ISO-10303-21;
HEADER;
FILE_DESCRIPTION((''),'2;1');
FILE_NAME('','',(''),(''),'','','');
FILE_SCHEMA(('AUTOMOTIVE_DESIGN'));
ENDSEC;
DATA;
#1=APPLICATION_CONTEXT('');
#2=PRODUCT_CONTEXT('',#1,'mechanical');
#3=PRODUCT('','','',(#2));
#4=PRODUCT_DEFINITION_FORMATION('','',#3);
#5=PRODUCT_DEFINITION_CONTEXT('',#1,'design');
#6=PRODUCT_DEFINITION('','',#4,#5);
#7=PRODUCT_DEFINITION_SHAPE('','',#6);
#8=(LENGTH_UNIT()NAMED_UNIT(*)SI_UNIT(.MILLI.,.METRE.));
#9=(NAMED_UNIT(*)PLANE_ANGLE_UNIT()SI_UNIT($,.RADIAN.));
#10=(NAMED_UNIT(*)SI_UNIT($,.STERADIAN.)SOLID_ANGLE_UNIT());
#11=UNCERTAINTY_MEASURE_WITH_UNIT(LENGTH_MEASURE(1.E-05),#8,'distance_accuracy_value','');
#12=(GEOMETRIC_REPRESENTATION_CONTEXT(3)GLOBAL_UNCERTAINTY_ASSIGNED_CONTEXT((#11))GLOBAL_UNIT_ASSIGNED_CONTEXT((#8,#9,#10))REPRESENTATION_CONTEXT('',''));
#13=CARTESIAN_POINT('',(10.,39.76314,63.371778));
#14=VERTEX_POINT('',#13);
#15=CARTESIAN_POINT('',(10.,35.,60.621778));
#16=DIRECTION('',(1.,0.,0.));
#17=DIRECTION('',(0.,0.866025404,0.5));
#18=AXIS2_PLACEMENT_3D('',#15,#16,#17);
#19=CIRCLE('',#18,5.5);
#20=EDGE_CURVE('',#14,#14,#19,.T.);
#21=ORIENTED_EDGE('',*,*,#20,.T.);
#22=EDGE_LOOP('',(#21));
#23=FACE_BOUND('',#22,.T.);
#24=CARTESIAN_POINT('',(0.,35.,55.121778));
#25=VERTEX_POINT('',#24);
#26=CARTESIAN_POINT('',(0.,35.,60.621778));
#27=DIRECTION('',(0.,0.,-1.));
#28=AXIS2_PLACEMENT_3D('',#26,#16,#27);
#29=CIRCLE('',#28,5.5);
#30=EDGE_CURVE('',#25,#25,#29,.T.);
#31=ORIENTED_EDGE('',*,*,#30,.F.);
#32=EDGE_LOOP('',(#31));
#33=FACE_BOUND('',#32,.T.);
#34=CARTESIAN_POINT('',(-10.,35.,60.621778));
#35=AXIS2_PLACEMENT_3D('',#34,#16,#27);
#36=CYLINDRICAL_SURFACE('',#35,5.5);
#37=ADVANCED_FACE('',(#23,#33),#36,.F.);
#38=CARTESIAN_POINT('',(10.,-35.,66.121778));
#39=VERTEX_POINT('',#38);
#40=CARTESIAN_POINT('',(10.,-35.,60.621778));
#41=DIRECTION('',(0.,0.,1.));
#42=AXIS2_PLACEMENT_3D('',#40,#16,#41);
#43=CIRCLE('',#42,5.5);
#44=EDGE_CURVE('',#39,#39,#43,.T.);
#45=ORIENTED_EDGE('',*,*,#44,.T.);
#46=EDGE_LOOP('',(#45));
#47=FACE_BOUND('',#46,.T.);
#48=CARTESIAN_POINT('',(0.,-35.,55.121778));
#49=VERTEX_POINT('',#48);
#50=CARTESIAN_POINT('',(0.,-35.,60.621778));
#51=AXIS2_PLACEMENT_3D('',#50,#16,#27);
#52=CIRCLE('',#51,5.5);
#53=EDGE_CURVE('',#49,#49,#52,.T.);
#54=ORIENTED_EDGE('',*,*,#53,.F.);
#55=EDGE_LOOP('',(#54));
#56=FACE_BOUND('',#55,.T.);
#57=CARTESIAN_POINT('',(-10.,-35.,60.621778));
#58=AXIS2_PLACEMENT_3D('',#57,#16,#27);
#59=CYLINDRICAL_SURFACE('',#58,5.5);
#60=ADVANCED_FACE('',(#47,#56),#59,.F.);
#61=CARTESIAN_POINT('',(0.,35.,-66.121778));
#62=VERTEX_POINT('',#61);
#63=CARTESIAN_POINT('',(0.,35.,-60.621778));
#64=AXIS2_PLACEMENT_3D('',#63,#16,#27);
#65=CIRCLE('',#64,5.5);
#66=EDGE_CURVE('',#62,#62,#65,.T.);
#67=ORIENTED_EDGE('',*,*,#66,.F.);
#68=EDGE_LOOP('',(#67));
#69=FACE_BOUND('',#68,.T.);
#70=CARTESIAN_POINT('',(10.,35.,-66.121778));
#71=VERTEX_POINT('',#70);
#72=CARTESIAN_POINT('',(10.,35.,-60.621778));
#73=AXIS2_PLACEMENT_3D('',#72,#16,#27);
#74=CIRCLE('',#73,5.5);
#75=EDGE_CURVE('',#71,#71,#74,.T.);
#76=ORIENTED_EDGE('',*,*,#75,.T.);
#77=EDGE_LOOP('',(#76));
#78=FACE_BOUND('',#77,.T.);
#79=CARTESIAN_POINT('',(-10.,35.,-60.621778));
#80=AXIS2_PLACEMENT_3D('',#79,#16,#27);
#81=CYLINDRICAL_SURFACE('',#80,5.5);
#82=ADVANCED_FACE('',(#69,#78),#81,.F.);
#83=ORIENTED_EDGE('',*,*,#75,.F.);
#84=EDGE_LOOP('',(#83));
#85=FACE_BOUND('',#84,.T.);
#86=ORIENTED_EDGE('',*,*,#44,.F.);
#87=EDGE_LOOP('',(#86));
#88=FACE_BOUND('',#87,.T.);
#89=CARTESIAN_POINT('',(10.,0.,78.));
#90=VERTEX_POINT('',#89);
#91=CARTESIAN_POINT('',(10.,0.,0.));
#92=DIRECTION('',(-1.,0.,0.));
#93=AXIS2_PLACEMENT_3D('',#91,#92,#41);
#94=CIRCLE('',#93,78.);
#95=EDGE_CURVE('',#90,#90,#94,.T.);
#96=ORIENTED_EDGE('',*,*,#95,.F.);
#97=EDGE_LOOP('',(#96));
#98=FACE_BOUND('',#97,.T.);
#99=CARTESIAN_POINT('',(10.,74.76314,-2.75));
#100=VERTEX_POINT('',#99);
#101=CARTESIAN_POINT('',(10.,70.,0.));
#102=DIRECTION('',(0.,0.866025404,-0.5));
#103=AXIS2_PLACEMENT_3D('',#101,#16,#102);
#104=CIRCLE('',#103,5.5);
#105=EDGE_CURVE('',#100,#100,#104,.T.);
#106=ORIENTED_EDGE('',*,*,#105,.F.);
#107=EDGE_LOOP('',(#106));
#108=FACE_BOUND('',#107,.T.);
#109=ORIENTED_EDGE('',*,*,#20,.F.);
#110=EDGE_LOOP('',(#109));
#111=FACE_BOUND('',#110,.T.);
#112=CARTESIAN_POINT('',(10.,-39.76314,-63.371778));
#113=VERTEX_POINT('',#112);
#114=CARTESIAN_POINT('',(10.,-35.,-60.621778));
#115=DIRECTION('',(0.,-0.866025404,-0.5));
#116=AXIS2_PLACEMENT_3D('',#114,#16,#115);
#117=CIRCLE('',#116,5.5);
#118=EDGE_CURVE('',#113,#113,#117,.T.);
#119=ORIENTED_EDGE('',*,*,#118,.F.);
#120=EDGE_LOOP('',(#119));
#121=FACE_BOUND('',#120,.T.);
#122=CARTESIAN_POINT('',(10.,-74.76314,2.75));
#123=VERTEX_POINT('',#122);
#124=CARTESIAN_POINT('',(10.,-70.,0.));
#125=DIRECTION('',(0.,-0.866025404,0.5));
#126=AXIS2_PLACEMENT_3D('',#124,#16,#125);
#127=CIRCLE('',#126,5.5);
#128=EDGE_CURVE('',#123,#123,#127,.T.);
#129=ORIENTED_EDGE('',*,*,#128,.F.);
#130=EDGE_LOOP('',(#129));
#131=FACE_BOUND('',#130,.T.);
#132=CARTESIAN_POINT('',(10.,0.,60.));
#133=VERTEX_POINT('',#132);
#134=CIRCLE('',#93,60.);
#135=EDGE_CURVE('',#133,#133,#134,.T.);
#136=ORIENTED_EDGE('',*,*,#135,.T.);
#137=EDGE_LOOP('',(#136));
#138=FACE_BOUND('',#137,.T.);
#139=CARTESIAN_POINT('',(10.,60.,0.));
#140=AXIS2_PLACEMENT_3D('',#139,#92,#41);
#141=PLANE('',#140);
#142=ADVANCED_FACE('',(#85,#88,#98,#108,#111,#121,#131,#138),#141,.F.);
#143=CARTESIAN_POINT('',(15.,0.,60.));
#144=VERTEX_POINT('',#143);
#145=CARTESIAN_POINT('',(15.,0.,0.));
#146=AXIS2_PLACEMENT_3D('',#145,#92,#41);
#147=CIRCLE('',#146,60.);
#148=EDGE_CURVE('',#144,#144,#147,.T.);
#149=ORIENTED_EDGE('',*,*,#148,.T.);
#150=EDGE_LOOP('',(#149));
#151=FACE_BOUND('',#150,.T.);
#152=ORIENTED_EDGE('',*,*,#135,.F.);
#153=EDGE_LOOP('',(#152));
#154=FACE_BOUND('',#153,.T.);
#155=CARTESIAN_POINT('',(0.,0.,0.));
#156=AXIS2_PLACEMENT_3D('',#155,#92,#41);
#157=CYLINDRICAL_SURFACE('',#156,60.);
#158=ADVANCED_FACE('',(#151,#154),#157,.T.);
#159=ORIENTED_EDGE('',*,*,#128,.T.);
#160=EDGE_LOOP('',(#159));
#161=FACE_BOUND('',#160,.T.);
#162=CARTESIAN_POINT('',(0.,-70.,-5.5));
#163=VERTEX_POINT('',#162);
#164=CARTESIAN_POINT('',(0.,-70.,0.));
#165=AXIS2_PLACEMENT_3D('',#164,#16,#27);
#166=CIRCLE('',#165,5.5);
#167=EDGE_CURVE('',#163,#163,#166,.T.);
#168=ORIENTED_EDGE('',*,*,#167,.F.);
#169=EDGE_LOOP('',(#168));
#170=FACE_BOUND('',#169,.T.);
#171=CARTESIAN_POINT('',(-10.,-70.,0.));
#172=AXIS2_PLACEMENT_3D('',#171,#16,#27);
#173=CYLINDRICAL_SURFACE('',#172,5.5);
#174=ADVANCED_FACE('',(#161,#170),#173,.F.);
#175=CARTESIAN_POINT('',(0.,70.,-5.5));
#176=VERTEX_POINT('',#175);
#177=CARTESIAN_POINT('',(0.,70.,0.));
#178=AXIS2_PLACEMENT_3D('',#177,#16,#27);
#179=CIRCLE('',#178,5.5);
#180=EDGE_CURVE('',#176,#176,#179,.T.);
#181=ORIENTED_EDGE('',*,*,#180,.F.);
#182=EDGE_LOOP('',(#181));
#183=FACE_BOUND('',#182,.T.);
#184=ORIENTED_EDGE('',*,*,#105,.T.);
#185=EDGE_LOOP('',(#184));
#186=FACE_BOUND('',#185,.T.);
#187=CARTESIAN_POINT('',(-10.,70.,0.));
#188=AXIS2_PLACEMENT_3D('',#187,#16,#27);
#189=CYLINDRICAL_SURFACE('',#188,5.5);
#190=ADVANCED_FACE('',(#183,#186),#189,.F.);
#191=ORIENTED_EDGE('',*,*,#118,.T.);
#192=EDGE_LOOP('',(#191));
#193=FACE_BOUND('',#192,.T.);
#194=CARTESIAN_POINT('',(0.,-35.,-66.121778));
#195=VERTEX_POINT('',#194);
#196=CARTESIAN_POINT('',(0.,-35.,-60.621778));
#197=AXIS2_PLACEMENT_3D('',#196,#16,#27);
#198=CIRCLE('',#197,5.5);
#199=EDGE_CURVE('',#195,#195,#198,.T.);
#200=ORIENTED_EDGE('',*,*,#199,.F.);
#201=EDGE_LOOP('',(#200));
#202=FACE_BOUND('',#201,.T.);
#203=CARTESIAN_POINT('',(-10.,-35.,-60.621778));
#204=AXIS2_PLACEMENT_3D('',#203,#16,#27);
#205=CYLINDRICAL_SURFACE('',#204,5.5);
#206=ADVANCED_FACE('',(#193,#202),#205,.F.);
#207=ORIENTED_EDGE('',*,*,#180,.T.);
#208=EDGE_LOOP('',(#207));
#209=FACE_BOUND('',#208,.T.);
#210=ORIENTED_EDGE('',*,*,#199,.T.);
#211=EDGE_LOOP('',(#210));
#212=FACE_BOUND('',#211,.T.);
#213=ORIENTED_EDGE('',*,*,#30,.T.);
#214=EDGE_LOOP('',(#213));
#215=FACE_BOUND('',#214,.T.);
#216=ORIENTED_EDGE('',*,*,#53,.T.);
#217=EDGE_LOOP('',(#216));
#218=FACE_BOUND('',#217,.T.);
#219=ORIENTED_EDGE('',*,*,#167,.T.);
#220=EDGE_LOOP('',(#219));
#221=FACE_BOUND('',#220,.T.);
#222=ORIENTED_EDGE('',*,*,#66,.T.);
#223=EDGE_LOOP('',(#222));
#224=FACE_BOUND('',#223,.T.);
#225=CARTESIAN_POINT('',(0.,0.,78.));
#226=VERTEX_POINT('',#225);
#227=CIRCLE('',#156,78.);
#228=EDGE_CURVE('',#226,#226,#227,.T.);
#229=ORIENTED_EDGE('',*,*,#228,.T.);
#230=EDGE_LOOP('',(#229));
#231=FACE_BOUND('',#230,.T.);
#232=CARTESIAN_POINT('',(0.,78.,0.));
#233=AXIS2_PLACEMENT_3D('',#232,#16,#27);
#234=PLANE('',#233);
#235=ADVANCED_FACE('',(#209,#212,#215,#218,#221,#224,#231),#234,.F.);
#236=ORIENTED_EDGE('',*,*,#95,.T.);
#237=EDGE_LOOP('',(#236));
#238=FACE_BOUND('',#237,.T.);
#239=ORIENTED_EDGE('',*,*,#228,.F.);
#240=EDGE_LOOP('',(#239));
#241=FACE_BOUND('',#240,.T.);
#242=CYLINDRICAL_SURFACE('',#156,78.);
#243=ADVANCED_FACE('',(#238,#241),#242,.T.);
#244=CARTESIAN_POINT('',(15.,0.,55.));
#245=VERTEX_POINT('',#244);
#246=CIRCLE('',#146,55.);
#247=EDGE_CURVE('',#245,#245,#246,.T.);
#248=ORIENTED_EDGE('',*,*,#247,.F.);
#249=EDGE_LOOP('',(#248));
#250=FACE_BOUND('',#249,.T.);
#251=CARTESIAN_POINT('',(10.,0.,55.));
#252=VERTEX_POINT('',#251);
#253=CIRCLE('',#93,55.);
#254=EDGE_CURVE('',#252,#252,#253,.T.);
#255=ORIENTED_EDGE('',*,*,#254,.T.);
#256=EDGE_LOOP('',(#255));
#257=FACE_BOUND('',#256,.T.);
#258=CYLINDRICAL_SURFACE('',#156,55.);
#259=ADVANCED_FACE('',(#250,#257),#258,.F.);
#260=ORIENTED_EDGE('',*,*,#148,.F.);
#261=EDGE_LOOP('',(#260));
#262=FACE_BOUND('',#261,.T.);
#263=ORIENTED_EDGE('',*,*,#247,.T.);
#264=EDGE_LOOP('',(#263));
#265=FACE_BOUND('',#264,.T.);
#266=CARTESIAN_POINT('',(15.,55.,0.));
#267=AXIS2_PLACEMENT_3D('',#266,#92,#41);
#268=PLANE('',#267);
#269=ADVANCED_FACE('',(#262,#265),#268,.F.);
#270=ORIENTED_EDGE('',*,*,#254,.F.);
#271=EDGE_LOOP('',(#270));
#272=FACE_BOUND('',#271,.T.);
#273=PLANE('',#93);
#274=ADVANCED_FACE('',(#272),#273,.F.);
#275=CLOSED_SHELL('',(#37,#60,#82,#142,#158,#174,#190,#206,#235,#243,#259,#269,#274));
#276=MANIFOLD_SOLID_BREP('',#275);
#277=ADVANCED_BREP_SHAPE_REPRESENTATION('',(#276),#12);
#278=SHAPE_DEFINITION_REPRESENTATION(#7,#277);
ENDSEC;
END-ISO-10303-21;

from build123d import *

# Parameters (mm, degrees)
SKETCH2_R          = 5.5
CUT_EXTRUDE1_DEPTH = 20
CIRPATTERN1_COUNT  = 6


with BuildPart() as part:
    # Sketch1 → Revolve1 (revolve)
    with BuildSketch(Plane.XY, mode=Mode.PRIVATE) as revolve1_sk:
        Polygon((10, 78), (0, 78), (0, 0), (10, 0), (10, 55), (15, 55), (15, 60), (10, 60), align=None)
    revolve(revolve1_sk.sketch.rotate(Axis((0, 0, 0), (1, 0, 0)), 90), axis=Axis((0, 0, 0), (1, 0, 0)))

    # Sketch2 → Cut-Extrude1 (cut)
    with BuildSketch(Plane(origin=(10, 0, 0), x_dir=(0, 0, -1), z_dir=(1, 0, 0))):
        with Locations((60.621778265, 35)):
            Circle(SKETCH2_R)
    cut_extrude1 = extrude(amount=-CUT_EXTRUDE1_DEPTH, mode=Mode.SUBTRACT)

    # CirPattern1: Cut-Extrude1 ×6 about axis
    cirpattern1_axis = Axis((0, 0, 0), (1, 0, 0))
    for i in range(1, CIRPATTERN1_COUNT):
        add(cut_extrude1.rotate(cirpattern1_axis, i * 360 / CIRPATTERN1_COUNT), mode=Mode.SUBTRACT)


solid = part.part
